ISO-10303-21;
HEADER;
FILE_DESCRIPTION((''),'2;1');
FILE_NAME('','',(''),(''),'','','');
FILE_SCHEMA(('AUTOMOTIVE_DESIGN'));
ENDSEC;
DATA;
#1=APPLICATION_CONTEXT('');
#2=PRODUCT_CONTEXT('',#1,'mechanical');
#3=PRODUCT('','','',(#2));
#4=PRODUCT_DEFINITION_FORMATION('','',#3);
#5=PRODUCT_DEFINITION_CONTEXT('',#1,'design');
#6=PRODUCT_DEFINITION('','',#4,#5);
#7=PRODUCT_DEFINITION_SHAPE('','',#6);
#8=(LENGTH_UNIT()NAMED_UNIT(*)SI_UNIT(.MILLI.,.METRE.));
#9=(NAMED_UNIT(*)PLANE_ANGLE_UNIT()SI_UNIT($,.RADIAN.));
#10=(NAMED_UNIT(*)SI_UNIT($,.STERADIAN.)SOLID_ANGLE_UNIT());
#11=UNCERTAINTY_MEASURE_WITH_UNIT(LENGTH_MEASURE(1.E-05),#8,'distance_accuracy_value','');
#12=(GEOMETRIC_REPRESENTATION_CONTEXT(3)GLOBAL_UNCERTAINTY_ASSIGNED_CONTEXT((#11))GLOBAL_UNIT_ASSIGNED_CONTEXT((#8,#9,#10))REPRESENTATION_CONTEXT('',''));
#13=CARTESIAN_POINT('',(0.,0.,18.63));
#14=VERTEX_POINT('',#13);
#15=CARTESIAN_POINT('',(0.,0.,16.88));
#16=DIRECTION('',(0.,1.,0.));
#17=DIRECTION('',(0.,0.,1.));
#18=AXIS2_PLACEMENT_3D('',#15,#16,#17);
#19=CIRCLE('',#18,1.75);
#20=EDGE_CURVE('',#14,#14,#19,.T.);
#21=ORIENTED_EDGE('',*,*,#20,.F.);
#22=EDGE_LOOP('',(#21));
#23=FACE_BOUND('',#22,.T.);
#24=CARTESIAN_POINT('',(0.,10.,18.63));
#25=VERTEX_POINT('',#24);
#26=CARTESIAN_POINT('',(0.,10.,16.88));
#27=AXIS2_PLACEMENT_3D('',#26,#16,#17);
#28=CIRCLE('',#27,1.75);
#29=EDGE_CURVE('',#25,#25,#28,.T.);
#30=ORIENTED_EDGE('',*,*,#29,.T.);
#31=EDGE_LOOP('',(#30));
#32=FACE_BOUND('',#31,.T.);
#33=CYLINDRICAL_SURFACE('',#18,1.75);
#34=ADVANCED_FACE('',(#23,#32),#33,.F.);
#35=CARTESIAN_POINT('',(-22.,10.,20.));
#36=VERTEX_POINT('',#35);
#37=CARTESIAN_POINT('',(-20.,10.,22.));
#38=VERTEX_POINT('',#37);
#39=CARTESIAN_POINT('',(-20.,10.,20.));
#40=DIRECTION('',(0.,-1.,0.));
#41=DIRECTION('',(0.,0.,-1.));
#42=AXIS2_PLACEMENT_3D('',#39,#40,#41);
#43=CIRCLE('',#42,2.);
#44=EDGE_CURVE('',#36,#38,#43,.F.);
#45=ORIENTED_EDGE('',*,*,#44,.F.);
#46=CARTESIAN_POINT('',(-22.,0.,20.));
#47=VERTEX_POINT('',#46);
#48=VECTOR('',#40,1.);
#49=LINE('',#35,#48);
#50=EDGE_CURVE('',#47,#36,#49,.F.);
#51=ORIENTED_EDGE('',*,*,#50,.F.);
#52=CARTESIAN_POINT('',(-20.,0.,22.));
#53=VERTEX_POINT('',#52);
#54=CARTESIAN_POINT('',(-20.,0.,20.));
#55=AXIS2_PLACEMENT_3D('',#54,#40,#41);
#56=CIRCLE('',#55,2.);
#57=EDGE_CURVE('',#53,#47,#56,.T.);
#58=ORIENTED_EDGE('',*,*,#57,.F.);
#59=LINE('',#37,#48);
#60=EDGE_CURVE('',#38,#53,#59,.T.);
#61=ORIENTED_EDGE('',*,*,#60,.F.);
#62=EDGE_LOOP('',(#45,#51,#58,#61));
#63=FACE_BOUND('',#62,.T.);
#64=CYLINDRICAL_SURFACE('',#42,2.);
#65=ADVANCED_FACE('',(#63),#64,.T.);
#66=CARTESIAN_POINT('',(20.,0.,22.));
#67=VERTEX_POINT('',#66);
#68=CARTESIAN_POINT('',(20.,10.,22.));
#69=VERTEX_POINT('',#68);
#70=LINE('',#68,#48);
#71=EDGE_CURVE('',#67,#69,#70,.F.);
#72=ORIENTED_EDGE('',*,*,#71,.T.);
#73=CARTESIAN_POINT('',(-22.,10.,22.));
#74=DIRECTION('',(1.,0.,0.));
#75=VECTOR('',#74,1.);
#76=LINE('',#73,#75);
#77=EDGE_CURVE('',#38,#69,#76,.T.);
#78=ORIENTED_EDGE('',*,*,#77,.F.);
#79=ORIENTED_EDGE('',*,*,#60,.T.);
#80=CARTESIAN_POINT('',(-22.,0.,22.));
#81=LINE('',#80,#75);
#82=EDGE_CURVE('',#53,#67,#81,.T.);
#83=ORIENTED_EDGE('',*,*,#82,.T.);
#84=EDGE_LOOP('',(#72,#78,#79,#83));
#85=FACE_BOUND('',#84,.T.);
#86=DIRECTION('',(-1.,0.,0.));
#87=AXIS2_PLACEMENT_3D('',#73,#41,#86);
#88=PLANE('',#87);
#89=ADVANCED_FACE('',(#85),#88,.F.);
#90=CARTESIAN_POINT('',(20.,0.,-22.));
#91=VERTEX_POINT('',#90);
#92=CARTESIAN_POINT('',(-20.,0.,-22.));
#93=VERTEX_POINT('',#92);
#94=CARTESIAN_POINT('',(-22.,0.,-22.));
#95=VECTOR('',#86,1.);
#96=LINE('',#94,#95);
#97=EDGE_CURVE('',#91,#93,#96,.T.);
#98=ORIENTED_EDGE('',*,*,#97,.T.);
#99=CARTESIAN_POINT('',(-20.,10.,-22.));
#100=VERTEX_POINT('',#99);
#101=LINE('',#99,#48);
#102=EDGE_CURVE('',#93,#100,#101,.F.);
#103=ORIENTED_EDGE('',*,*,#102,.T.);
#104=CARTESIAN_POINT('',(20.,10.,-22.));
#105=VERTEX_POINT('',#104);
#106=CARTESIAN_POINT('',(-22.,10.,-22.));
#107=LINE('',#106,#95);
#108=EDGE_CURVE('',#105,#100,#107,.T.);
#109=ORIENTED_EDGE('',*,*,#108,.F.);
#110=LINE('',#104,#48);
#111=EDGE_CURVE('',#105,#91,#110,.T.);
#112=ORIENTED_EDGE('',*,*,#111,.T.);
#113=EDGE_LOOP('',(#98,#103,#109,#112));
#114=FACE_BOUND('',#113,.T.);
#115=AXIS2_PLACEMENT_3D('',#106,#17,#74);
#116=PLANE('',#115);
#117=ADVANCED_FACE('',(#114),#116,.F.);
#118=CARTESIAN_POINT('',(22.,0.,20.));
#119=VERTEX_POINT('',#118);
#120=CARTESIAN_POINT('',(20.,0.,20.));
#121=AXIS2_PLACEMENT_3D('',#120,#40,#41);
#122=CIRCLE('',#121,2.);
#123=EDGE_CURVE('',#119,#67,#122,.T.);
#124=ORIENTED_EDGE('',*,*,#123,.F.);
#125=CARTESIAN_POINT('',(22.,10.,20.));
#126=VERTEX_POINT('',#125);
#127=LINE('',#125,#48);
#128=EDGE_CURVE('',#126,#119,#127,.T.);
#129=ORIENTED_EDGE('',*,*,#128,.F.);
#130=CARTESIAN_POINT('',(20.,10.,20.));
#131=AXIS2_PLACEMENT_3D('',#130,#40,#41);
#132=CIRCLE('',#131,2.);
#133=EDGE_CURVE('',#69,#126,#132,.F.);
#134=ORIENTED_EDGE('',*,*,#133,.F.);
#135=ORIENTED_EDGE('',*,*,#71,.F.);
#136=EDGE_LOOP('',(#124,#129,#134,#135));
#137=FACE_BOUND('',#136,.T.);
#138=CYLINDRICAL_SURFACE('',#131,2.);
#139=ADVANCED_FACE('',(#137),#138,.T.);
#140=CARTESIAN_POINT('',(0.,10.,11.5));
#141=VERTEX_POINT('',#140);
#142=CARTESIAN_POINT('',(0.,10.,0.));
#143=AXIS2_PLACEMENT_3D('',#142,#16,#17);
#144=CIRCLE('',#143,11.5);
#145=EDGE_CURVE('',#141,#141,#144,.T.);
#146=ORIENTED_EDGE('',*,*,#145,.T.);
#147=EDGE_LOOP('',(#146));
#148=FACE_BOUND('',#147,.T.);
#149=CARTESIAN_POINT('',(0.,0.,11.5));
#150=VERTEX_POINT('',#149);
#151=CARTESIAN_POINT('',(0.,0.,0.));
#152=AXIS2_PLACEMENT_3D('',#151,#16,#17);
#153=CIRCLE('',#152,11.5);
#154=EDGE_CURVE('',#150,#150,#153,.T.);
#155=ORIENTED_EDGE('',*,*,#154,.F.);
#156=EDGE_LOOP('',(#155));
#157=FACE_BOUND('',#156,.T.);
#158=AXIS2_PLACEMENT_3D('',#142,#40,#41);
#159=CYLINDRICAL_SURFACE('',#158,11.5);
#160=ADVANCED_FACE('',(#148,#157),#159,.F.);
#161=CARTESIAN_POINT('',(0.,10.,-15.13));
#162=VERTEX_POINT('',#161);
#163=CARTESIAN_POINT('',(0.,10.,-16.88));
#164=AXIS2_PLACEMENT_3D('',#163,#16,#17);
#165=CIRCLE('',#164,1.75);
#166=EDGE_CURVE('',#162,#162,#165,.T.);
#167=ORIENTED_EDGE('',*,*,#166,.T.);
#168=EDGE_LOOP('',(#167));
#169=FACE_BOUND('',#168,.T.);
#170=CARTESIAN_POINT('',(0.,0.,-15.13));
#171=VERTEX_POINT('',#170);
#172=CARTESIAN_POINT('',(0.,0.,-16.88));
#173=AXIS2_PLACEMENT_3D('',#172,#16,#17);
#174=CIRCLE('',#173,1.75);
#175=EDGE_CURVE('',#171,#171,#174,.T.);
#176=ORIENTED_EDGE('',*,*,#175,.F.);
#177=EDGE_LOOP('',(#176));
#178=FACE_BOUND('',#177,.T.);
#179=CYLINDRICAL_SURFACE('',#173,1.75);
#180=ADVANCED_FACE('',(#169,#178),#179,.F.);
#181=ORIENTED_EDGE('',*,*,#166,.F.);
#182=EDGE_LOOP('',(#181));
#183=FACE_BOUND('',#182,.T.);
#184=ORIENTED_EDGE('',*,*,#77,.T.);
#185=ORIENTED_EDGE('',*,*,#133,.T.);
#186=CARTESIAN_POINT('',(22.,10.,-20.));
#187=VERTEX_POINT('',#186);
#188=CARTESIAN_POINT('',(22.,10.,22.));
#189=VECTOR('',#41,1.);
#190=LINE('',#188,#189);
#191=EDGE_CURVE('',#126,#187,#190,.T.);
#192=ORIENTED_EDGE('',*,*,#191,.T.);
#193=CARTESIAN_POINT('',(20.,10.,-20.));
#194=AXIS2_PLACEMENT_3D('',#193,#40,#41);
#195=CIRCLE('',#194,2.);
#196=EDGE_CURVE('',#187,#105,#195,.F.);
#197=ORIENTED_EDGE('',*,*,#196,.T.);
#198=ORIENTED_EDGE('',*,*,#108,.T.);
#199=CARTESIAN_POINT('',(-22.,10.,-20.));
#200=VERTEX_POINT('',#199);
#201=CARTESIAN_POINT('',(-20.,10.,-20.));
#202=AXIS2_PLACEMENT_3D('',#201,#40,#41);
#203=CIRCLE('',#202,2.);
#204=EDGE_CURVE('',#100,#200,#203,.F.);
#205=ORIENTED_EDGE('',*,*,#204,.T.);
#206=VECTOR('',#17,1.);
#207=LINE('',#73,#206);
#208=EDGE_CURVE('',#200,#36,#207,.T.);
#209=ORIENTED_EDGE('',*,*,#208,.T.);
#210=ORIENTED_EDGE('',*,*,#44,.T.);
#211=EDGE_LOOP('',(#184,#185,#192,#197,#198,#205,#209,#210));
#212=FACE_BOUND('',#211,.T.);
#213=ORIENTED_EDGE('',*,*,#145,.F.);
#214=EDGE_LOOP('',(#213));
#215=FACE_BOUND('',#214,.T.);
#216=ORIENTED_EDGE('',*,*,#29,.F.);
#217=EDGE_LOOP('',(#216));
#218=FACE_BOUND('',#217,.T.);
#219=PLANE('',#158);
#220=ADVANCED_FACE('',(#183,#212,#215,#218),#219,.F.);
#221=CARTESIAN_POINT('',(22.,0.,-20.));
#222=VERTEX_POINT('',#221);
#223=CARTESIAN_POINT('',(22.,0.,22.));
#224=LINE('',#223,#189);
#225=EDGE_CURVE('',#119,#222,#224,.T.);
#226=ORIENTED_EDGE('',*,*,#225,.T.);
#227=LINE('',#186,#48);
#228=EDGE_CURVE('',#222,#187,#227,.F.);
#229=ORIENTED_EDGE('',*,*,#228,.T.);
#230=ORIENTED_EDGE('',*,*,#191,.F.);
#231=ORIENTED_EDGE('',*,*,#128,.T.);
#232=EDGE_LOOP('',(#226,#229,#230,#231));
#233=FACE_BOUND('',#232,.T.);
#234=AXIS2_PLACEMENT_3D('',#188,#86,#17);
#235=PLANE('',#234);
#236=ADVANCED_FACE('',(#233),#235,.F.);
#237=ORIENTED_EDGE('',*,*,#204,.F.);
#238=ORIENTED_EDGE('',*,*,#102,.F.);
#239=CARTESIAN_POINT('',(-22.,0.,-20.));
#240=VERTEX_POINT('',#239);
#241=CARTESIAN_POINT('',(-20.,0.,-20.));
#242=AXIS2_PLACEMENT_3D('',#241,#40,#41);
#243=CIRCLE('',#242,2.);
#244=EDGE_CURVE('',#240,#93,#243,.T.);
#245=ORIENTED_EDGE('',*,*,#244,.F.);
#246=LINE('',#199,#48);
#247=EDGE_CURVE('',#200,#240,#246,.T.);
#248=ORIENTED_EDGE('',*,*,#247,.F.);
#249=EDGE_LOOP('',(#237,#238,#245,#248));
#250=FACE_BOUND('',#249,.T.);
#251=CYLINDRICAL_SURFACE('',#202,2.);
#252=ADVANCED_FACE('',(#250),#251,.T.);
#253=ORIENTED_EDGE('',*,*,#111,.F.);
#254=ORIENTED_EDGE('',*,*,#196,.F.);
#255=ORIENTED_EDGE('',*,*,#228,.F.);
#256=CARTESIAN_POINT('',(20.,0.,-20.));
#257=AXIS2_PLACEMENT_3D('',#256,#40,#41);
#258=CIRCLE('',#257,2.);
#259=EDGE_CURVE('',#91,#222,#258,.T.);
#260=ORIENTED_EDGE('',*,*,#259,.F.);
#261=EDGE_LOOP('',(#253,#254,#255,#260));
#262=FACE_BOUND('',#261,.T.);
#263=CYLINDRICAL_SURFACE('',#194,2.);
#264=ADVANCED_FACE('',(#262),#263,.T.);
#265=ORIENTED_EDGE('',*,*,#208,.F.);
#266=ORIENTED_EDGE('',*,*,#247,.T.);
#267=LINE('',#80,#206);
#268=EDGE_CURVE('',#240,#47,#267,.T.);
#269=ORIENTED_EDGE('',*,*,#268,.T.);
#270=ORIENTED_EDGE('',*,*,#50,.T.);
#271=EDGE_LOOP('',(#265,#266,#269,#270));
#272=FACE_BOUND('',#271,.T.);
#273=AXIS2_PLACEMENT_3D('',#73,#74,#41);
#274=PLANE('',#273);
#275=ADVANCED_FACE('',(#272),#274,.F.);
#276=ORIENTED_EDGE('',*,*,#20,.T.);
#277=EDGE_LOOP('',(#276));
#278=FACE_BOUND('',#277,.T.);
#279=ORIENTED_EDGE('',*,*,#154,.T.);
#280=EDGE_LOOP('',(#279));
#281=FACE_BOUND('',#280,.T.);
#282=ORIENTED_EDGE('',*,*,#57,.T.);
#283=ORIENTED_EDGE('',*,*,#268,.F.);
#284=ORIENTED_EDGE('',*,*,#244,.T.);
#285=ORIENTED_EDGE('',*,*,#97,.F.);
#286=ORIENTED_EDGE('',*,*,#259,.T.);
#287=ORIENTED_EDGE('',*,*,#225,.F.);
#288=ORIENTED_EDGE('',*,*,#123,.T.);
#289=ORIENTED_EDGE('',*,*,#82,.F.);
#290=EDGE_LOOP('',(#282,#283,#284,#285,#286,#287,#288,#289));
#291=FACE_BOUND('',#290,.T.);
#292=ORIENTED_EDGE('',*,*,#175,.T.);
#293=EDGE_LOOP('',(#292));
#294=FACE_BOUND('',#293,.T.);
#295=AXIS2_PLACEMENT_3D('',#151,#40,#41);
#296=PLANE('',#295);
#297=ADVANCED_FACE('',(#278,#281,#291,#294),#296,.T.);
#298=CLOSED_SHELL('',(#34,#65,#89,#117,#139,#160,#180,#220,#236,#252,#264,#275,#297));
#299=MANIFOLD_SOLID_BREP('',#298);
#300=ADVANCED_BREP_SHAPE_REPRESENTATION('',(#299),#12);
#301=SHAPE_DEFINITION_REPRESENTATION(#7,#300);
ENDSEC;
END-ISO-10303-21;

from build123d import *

# Parameters (mm, degrees)
CROQUIS1_W              = 44
CROQUIS1_H              = 44
CROQUIS1_R              = 11.5
SALIENTE_EXTRUIR1_DEPTH = 10
CROQUIS2_R              = 1.75
CORTAR_EXTRUIR1_DEPTH   = 33.680269277
REDONDEO1_R             = 2


with BuildPart() as part:
    # Croquis1 → Saliente-Extruir1 (new body)
    with BuildSketch(Plane(origin=(0, 0, 0), x_dir=(1, 0, 0), z_dir=(0, 1, 0))):
        Rectangle(CROQUIS1_W, CROQUIS1_H)
        with Locations(Location((0, 0, 0), (0, 0, 270))):
            Circle(CROQUIS1_R, mode=Mode.SUBTRACT)
    extrude(amount=SALIENTE_EXTRUIR1_DEPTH)

    # Croquis2 → Cortar-Extruir1 (cut, through all)
    with BuildSketch(Plane(origin=(0, 10, 0), x_dir=(1, 0, 0), z_dir=(0, 1, 0))):
        with Locations(Location((0, 16.88, 0), (0, 0, 270))):
            Circle(CROQUIS2_R)
        with Locations(Location((0, -16.88, 0), (0, 0, 270))):
            Circle(CROQUIS2_R)
    extrude(amount=-CORTAR_EXTRUIR1_DEPTH, mode=Mode.SUBTRACT)

    # Redondeo1
    redondeo1_edges = [part.edges().sort_by_distance(p)[0] for p in [
        (22, 5, 22),
        (-22, 5, 22),
        (-22, 5, -22),
        (22, 5, -22),
    ]]
    fillet(redondeo1_edges, radius=REDONDEO1_R)


solid = part.part
